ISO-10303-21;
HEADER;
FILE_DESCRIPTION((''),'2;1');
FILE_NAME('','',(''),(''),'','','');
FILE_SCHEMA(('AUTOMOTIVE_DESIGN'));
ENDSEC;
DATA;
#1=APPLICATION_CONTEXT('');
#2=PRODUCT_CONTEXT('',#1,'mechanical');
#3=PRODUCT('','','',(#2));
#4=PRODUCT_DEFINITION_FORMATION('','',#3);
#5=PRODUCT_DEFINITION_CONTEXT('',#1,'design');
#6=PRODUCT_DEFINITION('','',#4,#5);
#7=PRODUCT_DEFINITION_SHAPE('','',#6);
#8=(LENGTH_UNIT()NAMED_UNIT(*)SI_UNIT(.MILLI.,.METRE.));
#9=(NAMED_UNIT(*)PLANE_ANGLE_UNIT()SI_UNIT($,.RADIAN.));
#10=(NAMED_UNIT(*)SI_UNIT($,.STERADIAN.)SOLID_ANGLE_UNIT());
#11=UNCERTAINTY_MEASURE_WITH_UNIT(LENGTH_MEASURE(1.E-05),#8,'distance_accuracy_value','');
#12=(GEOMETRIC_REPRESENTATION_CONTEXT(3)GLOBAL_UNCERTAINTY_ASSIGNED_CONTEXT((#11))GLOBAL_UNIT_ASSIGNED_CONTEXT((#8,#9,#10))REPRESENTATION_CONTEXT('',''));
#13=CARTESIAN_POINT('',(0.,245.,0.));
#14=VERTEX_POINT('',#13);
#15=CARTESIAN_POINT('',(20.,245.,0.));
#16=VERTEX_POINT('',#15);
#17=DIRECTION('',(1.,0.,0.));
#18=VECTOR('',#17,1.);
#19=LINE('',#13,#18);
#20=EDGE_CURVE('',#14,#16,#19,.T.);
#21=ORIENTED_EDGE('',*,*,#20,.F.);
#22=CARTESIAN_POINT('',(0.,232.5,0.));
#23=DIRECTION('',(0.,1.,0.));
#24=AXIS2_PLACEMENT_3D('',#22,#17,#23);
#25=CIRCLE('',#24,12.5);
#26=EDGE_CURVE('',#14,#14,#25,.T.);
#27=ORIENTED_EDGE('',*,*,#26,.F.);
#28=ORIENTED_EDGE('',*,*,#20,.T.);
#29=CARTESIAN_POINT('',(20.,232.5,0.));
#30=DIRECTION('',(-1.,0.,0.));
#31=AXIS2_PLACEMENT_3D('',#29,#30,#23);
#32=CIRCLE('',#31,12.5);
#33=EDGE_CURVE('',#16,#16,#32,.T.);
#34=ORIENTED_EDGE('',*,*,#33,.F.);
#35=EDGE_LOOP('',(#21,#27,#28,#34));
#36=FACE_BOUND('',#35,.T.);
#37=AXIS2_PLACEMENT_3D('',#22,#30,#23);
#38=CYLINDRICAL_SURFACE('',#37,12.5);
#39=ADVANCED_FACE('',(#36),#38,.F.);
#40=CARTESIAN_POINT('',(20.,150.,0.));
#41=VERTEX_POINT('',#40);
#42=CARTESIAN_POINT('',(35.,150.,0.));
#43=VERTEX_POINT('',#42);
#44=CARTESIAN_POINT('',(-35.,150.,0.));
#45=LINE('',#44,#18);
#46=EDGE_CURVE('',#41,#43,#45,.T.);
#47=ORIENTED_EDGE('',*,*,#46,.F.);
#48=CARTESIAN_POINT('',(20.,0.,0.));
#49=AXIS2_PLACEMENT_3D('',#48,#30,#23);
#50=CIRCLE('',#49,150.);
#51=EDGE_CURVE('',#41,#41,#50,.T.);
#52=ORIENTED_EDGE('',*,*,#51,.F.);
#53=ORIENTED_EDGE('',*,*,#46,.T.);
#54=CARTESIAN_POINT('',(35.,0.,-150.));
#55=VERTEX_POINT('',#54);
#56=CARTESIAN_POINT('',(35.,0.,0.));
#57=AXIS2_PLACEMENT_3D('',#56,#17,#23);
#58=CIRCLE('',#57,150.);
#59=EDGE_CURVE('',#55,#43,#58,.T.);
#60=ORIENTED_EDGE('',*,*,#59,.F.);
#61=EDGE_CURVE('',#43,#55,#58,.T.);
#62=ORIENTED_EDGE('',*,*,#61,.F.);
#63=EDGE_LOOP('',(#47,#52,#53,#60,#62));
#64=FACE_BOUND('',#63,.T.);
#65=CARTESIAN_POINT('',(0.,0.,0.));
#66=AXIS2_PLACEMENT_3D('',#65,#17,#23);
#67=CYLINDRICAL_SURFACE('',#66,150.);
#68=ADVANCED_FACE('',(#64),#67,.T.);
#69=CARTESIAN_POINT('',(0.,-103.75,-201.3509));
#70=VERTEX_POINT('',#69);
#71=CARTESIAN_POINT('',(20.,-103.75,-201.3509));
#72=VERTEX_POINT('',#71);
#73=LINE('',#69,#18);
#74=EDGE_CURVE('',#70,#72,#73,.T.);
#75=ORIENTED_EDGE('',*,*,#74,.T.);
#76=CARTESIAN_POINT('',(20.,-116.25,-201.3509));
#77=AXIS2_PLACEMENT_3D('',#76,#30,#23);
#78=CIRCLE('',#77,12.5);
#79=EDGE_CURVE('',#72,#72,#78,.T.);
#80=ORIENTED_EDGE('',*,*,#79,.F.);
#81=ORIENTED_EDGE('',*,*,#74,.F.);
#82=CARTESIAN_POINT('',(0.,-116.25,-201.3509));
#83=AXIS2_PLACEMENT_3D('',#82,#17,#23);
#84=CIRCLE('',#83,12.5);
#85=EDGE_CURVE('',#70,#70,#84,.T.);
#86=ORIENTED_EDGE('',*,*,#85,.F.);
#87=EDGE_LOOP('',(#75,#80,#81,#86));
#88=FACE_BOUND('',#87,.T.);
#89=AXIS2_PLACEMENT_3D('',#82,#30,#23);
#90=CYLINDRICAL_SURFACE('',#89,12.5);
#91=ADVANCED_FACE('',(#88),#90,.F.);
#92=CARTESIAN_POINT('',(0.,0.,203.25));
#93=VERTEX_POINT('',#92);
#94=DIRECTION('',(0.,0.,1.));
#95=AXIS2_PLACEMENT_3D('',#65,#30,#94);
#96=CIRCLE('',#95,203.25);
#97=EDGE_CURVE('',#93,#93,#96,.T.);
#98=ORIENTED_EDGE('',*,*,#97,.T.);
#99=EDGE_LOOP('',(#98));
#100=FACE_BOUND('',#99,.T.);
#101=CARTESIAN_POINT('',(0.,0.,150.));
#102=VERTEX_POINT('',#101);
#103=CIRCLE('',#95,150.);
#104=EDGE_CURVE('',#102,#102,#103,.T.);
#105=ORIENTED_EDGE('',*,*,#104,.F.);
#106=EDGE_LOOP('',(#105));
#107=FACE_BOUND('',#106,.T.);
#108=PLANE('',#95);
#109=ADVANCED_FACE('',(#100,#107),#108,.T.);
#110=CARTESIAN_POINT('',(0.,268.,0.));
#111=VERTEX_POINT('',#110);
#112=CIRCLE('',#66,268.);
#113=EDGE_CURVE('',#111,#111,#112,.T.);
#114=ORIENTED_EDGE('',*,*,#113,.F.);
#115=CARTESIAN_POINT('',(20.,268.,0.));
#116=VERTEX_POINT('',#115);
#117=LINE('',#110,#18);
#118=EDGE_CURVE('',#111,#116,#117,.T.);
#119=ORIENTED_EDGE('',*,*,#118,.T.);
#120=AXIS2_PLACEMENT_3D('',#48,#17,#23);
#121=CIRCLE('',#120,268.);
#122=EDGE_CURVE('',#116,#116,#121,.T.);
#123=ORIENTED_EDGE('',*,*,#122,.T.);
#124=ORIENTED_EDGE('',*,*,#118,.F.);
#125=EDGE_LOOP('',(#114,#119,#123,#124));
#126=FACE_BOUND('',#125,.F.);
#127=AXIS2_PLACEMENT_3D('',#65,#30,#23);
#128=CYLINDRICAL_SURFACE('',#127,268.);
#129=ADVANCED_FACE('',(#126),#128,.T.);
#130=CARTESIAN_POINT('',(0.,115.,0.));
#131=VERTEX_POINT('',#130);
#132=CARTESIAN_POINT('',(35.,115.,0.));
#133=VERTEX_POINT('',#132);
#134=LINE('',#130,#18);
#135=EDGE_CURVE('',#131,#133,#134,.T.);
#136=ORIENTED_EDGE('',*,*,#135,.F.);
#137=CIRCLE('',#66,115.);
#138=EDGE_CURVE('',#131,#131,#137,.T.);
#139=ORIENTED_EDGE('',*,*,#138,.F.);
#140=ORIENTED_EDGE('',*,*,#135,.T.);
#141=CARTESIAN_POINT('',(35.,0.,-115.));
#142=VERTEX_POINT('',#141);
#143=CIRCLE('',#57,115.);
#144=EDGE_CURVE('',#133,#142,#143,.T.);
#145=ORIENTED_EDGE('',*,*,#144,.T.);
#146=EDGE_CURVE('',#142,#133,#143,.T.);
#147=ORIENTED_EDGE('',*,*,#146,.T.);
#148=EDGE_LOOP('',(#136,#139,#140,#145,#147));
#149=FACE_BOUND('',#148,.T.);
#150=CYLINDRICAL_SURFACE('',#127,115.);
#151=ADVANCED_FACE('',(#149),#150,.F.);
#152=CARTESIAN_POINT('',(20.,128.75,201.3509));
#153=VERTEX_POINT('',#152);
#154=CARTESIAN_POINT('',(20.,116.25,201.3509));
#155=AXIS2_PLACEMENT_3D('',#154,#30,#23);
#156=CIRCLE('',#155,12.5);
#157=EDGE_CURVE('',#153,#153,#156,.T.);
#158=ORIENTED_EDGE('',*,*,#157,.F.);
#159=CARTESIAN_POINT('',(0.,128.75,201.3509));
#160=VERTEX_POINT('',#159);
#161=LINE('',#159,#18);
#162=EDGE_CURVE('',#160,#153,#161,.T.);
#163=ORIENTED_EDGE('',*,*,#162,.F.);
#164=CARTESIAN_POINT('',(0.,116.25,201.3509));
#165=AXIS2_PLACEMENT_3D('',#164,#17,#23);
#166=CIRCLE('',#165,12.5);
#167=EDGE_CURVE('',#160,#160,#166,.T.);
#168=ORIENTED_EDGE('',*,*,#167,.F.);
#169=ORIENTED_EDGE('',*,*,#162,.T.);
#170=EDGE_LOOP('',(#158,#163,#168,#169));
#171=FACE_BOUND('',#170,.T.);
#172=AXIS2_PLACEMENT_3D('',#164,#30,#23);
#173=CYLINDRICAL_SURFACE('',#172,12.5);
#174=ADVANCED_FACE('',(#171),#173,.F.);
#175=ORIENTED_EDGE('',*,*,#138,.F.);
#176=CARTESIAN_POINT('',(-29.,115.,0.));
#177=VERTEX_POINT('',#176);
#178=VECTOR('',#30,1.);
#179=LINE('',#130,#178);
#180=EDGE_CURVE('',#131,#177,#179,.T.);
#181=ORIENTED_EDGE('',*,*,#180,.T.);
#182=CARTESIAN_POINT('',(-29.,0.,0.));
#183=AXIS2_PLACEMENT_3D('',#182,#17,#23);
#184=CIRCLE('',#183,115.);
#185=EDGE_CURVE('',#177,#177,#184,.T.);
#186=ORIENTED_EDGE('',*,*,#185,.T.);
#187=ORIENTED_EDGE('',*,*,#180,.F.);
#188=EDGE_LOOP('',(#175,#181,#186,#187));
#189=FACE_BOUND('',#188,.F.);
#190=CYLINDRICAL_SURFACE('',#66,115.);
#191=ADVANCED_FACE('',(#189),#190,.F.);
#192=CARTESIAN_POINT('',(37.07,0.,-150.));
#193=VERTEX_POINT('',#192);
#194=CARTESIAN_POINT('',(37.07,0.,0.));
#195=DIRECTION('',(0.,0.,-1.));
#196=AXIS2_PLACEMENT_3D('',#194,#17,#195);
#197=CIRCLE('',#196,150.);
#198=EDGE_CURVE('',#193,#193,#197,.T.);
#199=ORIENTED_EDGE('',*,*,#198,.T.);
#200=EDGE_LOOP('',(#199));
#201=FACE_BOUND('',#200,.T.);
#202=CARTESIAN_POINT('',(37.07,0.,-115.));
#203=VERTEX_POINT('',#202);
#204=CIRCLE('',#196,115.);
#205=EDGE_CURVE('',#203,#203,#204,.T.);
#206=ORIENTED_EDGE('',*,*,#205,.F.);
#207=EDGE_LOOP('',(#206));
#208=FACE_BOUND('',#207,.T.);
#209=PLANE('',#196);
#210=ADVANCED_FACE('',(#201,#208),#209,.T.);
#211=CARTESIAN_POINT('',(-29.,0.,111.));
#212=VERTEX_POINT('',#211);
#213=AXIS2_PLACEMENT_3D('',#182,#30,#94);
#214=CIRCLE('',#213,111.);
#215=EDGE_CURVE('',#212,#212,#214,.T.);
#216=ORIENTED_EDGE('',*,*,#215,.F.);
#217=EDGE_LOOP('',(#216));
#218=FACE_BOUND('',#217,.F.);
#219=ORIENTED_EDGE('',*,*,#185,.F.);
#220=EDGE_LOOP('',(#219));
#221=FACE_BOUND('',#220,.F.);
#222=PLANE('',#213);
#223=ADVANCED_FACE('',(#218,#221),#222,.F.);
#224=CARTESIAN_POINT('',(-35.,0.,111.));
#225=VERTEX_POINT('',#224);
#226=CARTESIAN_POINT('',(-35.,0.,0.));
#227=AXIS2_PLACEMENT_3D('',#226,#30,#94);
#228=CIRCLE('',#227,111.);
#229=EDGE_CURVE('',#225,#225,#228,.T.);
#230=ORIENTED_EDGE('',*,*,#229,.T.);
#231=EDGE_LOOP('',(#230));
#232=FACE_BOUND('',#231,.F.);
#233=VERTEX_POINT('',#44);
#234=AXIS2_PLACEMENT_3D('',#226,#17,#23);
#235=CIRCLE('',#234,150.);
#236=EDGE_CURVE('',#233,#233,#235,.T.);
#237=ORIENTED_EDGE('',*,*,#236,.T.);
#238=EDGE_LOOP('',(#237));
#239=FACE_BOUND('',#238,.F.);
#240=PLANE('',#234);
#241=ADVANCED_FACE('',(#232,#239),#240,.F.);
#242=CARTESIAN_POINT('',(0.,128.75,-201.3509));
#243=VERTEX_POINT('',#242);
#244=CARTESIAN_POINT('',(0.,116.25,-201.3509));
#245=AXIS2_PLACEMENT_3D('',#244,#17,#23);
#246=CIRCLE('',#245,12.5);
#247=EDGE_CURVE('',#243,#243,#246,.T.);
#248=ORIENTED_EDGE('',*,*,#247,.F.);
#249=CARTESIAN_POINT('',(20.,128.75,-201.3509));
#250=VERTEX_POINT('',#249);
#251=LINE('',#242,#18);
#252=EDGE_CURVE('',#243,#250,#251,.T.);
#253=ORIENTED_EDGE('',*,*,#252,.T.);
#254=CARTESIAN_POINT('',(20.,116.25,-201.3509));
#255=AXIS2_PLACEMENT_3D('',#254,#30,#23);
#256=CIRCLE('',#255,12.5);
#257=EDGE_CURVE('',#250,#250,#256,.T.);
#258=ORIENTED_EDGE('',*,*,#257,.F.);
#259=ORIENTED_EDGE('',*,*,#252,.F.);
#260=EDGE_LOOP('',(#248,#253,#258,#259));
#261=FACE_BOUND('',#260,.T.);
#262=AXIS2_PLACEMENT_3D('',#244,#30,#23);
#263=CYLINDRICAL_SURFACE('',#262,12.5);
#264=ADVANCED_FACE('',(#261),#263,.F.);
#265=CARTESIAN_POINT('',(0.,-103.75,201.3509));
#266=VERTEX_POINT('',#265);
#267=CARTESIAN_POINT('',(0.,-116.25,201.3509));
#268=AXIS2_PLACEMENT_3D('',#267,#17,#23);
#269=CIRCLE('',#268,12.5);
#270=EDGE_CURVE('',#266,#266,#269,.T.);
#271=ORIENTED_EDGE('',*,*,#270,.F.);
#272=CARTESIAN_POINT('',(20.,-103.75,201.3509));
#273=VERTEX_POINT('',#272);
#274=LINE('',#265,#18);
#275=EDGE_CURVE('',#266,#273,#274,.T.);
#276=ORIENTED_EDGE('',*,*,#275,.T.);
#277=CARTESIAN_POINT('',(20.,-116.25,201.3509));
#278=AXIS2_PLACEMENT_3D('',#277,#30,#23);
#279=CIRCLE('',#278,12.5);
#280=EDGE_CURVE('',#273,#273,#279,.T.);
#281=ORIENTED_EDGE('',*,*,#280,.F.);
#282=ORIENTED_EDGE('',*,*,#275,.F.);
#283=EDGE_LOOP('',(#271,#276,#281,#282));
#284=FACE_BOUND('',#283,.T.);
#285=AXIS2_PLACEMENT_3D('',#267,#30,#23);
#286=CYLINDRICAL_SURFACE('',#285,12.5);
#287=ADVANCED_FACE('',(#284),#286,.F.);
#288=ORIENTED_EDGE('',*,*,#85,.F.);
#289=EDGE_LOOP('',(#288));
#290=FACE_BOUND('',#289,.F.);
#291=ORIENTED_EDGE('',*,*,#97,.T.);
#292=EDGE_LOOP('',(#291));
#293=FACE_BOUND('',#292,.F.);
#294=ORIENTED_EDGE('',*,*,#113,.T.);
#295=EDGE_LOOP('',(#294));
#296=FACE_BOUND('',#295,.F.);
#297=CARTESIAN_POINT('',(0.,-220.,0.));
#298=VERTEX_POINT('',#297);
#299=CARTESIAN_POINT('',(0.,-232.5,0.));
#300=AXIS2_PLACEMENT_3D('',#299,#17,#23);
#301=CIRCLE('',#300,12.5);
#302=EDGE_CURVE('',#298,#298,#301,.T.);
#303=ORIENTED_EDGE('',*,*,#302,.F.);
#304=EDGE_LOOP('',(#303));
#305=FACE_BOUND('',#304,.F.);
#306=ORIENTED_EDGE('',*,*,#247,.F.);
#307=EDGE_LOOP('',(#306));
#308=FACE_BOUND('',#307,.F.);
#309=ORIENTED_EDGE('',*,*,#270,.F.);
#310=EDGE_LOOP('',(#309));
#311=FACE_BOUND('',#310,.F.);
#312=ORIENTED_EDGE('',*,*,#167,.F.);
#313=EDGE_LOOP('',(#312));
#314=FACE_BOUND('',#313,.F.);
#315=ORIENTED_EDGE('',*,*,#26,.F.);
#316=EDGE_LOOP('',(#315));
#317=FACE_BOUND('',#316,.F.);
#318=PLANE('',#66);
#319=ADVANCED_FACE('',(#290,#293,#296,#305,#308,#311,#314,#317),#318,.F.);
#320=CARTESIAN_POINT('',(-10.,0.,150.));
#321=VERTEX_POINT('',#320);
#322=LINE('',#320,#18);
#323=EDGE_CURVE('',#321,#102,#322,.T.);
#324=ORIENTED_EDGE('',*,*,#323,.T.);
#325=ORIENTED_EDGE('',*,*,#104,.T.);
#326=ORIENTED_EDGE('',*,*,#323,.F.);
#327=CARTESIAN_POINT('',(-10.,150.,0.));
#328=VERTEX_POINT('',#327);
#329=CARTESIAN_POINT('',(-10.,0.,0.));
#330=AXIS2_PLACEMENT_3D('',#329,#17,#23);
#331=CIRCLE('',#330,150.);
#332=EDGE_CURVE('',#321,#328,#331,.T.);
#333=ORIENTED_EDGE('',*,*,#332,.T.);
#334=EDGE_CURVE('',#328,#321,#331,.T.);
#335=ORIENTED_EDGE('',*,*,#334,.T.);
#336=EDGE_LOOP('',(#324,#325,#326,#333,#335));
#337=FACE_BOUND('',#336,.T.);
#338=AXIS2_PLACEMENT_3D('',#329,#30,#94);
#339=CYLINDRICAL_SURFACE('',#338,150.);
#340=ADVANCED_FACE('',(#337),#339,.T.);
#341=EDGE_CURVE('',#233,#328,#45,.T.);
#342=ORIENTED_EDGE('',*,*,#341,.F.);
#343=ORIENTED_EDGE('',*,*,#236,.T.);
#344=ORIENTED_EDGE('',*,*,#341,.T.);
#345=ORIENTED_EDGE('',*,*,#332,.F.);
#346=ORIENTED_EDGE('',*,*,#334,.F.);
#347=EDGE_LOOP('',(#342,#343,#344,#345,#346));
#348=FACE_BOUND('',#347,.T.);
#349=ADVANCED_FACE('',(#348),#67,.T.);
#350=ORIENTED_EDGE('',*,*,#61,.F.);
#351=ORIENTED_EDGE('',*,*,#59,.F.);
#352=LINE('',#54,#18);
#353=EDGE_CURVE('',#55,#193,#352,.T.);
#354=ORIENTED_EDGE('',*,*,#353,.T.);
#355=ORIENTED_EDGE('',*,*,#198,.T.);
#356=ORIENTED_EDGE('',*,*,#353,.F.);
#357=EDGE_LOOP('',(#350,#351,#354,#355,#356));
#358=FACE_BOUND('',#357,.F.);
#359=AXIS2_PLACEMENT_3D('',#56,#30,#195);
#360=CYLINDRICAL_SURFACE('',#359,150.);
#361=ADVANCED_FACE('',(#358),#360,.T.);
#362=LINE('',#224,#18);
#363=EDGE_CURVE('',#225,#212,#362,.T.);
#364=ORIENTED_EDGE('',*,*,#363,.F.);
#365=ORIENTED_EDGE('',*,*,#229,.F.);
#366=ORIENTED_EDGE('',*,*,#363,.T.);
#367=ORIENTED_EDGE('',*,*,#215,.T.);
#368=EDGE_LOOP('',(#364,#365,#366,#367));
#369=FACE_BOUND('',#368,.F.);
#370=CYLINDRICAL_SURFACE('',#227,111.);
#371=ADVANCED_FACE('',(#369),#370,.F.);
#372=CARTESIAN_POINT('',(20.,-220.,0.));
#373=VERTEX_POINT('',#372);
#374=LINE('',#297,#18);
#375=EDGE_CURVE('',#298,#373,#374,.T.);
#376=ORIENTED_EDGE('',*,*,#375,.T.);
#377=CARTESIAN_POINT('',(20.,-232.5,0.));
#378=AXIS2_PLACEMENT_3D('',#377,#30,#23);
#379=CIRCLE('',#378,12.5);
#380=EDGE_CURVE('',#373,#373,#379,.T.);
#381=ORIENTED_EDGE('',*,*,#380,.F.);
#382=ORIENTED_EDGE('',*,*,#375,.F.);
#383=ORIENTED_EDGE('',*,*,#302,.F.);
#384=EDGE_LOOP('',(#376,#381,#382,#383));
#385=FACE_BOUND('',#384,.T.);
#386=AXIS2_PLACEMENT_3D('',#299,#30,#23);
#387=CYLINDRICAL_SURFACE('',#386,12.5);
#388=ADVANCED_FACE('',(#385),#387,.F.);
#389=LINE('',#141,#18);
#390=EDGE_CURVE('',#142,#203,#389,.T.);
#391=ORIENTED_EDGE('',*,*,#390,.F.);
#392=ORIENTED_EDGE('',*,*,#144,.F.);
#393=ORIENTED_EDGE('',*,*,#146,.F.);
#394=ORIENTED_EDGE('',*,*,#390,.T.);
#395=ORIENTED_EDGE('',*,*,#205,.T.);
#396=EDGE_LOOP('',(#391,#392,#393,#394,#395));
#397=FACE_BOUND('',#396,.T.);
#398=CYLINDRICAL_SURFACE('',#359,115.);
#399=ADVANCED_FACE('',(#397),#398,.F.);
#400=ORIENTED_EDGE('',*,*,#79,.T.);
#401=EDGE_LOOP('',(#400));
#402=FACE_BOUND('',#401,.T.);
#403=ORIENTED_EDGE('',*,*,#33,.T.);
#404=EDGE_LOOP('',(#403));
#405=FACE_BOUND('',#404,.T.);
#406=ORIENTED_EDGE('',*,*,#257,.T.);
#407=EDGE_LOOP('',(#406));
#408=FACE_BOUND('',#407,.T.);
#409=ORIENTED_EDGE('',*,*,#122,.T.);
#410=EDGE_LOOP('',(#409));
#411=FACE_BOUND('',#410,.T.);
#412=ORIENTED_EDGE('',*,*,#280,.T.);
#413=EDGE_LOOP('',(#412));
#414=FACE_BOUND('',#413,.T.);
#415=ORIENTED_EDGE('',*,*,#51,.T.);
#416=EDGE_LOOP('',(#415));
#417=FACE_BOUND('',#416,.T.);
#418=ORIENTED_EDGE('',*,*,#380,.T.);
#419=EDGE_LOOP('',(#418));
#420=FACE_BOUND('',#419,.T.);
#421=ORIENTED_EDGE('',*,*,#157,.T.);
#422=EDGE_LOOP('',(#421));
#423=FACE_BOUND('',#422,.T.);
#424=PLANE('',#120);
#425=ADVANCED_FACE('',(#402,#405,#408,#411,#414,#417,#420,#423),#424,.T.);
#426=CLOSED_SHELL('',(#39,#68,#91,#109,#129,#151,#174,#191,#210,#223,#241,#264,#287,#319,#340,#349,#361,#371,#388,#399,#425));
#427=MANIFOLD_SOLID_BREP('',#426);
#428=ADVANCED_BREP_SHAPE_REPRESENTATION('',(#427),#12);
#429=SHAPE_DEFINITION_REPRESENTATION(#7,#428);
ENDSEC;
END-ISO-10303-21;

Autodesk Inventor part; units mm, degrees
ref_plane "YZ Plane" through (0, 0, 0) normal (1, 0, 0) x (0, 1, 0)
ref_plane "XZ Plane" through (0, 0, 0) normal (0, 1, 0) x (-1, 0, 0)
sketch "Sketch1" plane through (0, 0, 0) normal (1, 0, 0) x (0, 1, 0)
  circle A0 centre (0, 0) radius 268
  circle A1 centre (0, 0) radius 203.25
  circle A2 centre (0, 0) radius 232.5
  circle A3 centre (232.5, 0) radius 12.5
  circle A4 centre (116.25, 201.3509) radius 12.5
  circle A5 centre (-116.25, 201.3509) radius 12.5
  circle A6 centre (-232.5, 0) radius 12.5
  circle A7 centre (-116.25, -201.3509) radius 12.5
  circle A8 centre (116.25, -201.3509) radius 12.5
  dimension "d2" = 465
  dimension "d0" = 536
  dimension "d1" = 406.5
  dimension "d3" = 25
  dimension "d101" = 360
extrude "Extrusion1" add sketch "Sketch1" along normal blind 20 contours A0 | A3 A2 A8 A7 A6 A5 A4
sketch "Sketch2" plane through (0, 0, 0) normal (1, 0, 0) x (0, 1, 0)
  circle A0 centre (0, 0) radius 115
  circle A1 centre (0, 0) radius 150
  dimension "d10" = 230
  dimension "d11" = 300
extrude "Extrusion2" add sketch "Sketch2" against normal mid plane 70
ref_plane "Work Plane1" through (-10, 0, 0) normal (-1, 0, 0) x (0, 0, 1)
sketch "Sketch3" plane through (-10, 0, 0) normal (-1, 0, 0) x (0, 0, 1)
  circle A0 centre (0, 0) radius 203.25
  circle A1 centre (0, 0) radius 150
  dimension "d15" = 406.5
  dimension "d16" = 300
extrude "Extrusion3" add sketch "Sketch3" against normal blind 30
sketch "Sketch4" plane through (-35, 0, 0) normal (-1, 0, 0) x (0, 0, 1)
  circle A0 centre (0, 0) radius 113.4667
  circle A1 centre (0, 0) radius 111
  circle A2 centre (0, 0) radius 115
  dimension "d43" = 222
  dimension "d44" = 230
extrude "Extrusion4" add sketch "Sketch4" against normal blind 6 contours A0 | A2
sketch "Sketch6" plane through (35, 0, 0) normal (1, 0, 0) x (0, 0, -1)
  circle A0 centre (0, 0) radius 150
  circle A1 centre (0, 0) radius 115
  dimension "d61" = 300
extrude "Extrusion6" add sketch "Sketch6" along normal blind 2.07
thread "Thread20" size "M25x2" class "6H" standard "ANSI Metric M Profile" full length
sketch "Sketch9" plane through (-10, 0, 0) normal (-1, 0, 0) x (0, 0, 1)
  circle A0 centre (0, 0) radius 203.25
  circle A1 centre (0, 0) radius 150
extrude "Extrusion8" cut sketch "Sketch9" against normal up to surface (10 mm away)
thread "Thread30" size "M25x2" class "6H" standard "ANSI Metric M Profile" full length
thread "Thread31" size "M25x2" class "6H" standard "ANSI Metric M Profile" full length
thread "Thread32" size "M25x2" class "6H" standard "ANSI Metric M Profile" full length
thread "Thread33" size "M25x2" class "6H" standard "ANSI Metric M Profile" full length
thread "Thread34" size "M25x2" class "6H" standard "ANSI Metric M Profile" full length
equation "\"BendRadius\" = Thickness"
equation "\"BendReliefWidth\" = Thickness"
equation "\"BendReliefDepth\" = 0.5 * Thickness"
equation "\"CornerReliefSize\" = 4 * Thickness"
equation "\"MinimumRemnant\" = 2 * Thickness"
equation "\"TransitionRadius\" = BendRadius"
equation "\"JacobiRadiusSize\" = BendRadius"
equation "\"GapSize\" = Thickness"
equation "\"Thickness\" = 0.5"
properties part number "elasmaROyleman"
